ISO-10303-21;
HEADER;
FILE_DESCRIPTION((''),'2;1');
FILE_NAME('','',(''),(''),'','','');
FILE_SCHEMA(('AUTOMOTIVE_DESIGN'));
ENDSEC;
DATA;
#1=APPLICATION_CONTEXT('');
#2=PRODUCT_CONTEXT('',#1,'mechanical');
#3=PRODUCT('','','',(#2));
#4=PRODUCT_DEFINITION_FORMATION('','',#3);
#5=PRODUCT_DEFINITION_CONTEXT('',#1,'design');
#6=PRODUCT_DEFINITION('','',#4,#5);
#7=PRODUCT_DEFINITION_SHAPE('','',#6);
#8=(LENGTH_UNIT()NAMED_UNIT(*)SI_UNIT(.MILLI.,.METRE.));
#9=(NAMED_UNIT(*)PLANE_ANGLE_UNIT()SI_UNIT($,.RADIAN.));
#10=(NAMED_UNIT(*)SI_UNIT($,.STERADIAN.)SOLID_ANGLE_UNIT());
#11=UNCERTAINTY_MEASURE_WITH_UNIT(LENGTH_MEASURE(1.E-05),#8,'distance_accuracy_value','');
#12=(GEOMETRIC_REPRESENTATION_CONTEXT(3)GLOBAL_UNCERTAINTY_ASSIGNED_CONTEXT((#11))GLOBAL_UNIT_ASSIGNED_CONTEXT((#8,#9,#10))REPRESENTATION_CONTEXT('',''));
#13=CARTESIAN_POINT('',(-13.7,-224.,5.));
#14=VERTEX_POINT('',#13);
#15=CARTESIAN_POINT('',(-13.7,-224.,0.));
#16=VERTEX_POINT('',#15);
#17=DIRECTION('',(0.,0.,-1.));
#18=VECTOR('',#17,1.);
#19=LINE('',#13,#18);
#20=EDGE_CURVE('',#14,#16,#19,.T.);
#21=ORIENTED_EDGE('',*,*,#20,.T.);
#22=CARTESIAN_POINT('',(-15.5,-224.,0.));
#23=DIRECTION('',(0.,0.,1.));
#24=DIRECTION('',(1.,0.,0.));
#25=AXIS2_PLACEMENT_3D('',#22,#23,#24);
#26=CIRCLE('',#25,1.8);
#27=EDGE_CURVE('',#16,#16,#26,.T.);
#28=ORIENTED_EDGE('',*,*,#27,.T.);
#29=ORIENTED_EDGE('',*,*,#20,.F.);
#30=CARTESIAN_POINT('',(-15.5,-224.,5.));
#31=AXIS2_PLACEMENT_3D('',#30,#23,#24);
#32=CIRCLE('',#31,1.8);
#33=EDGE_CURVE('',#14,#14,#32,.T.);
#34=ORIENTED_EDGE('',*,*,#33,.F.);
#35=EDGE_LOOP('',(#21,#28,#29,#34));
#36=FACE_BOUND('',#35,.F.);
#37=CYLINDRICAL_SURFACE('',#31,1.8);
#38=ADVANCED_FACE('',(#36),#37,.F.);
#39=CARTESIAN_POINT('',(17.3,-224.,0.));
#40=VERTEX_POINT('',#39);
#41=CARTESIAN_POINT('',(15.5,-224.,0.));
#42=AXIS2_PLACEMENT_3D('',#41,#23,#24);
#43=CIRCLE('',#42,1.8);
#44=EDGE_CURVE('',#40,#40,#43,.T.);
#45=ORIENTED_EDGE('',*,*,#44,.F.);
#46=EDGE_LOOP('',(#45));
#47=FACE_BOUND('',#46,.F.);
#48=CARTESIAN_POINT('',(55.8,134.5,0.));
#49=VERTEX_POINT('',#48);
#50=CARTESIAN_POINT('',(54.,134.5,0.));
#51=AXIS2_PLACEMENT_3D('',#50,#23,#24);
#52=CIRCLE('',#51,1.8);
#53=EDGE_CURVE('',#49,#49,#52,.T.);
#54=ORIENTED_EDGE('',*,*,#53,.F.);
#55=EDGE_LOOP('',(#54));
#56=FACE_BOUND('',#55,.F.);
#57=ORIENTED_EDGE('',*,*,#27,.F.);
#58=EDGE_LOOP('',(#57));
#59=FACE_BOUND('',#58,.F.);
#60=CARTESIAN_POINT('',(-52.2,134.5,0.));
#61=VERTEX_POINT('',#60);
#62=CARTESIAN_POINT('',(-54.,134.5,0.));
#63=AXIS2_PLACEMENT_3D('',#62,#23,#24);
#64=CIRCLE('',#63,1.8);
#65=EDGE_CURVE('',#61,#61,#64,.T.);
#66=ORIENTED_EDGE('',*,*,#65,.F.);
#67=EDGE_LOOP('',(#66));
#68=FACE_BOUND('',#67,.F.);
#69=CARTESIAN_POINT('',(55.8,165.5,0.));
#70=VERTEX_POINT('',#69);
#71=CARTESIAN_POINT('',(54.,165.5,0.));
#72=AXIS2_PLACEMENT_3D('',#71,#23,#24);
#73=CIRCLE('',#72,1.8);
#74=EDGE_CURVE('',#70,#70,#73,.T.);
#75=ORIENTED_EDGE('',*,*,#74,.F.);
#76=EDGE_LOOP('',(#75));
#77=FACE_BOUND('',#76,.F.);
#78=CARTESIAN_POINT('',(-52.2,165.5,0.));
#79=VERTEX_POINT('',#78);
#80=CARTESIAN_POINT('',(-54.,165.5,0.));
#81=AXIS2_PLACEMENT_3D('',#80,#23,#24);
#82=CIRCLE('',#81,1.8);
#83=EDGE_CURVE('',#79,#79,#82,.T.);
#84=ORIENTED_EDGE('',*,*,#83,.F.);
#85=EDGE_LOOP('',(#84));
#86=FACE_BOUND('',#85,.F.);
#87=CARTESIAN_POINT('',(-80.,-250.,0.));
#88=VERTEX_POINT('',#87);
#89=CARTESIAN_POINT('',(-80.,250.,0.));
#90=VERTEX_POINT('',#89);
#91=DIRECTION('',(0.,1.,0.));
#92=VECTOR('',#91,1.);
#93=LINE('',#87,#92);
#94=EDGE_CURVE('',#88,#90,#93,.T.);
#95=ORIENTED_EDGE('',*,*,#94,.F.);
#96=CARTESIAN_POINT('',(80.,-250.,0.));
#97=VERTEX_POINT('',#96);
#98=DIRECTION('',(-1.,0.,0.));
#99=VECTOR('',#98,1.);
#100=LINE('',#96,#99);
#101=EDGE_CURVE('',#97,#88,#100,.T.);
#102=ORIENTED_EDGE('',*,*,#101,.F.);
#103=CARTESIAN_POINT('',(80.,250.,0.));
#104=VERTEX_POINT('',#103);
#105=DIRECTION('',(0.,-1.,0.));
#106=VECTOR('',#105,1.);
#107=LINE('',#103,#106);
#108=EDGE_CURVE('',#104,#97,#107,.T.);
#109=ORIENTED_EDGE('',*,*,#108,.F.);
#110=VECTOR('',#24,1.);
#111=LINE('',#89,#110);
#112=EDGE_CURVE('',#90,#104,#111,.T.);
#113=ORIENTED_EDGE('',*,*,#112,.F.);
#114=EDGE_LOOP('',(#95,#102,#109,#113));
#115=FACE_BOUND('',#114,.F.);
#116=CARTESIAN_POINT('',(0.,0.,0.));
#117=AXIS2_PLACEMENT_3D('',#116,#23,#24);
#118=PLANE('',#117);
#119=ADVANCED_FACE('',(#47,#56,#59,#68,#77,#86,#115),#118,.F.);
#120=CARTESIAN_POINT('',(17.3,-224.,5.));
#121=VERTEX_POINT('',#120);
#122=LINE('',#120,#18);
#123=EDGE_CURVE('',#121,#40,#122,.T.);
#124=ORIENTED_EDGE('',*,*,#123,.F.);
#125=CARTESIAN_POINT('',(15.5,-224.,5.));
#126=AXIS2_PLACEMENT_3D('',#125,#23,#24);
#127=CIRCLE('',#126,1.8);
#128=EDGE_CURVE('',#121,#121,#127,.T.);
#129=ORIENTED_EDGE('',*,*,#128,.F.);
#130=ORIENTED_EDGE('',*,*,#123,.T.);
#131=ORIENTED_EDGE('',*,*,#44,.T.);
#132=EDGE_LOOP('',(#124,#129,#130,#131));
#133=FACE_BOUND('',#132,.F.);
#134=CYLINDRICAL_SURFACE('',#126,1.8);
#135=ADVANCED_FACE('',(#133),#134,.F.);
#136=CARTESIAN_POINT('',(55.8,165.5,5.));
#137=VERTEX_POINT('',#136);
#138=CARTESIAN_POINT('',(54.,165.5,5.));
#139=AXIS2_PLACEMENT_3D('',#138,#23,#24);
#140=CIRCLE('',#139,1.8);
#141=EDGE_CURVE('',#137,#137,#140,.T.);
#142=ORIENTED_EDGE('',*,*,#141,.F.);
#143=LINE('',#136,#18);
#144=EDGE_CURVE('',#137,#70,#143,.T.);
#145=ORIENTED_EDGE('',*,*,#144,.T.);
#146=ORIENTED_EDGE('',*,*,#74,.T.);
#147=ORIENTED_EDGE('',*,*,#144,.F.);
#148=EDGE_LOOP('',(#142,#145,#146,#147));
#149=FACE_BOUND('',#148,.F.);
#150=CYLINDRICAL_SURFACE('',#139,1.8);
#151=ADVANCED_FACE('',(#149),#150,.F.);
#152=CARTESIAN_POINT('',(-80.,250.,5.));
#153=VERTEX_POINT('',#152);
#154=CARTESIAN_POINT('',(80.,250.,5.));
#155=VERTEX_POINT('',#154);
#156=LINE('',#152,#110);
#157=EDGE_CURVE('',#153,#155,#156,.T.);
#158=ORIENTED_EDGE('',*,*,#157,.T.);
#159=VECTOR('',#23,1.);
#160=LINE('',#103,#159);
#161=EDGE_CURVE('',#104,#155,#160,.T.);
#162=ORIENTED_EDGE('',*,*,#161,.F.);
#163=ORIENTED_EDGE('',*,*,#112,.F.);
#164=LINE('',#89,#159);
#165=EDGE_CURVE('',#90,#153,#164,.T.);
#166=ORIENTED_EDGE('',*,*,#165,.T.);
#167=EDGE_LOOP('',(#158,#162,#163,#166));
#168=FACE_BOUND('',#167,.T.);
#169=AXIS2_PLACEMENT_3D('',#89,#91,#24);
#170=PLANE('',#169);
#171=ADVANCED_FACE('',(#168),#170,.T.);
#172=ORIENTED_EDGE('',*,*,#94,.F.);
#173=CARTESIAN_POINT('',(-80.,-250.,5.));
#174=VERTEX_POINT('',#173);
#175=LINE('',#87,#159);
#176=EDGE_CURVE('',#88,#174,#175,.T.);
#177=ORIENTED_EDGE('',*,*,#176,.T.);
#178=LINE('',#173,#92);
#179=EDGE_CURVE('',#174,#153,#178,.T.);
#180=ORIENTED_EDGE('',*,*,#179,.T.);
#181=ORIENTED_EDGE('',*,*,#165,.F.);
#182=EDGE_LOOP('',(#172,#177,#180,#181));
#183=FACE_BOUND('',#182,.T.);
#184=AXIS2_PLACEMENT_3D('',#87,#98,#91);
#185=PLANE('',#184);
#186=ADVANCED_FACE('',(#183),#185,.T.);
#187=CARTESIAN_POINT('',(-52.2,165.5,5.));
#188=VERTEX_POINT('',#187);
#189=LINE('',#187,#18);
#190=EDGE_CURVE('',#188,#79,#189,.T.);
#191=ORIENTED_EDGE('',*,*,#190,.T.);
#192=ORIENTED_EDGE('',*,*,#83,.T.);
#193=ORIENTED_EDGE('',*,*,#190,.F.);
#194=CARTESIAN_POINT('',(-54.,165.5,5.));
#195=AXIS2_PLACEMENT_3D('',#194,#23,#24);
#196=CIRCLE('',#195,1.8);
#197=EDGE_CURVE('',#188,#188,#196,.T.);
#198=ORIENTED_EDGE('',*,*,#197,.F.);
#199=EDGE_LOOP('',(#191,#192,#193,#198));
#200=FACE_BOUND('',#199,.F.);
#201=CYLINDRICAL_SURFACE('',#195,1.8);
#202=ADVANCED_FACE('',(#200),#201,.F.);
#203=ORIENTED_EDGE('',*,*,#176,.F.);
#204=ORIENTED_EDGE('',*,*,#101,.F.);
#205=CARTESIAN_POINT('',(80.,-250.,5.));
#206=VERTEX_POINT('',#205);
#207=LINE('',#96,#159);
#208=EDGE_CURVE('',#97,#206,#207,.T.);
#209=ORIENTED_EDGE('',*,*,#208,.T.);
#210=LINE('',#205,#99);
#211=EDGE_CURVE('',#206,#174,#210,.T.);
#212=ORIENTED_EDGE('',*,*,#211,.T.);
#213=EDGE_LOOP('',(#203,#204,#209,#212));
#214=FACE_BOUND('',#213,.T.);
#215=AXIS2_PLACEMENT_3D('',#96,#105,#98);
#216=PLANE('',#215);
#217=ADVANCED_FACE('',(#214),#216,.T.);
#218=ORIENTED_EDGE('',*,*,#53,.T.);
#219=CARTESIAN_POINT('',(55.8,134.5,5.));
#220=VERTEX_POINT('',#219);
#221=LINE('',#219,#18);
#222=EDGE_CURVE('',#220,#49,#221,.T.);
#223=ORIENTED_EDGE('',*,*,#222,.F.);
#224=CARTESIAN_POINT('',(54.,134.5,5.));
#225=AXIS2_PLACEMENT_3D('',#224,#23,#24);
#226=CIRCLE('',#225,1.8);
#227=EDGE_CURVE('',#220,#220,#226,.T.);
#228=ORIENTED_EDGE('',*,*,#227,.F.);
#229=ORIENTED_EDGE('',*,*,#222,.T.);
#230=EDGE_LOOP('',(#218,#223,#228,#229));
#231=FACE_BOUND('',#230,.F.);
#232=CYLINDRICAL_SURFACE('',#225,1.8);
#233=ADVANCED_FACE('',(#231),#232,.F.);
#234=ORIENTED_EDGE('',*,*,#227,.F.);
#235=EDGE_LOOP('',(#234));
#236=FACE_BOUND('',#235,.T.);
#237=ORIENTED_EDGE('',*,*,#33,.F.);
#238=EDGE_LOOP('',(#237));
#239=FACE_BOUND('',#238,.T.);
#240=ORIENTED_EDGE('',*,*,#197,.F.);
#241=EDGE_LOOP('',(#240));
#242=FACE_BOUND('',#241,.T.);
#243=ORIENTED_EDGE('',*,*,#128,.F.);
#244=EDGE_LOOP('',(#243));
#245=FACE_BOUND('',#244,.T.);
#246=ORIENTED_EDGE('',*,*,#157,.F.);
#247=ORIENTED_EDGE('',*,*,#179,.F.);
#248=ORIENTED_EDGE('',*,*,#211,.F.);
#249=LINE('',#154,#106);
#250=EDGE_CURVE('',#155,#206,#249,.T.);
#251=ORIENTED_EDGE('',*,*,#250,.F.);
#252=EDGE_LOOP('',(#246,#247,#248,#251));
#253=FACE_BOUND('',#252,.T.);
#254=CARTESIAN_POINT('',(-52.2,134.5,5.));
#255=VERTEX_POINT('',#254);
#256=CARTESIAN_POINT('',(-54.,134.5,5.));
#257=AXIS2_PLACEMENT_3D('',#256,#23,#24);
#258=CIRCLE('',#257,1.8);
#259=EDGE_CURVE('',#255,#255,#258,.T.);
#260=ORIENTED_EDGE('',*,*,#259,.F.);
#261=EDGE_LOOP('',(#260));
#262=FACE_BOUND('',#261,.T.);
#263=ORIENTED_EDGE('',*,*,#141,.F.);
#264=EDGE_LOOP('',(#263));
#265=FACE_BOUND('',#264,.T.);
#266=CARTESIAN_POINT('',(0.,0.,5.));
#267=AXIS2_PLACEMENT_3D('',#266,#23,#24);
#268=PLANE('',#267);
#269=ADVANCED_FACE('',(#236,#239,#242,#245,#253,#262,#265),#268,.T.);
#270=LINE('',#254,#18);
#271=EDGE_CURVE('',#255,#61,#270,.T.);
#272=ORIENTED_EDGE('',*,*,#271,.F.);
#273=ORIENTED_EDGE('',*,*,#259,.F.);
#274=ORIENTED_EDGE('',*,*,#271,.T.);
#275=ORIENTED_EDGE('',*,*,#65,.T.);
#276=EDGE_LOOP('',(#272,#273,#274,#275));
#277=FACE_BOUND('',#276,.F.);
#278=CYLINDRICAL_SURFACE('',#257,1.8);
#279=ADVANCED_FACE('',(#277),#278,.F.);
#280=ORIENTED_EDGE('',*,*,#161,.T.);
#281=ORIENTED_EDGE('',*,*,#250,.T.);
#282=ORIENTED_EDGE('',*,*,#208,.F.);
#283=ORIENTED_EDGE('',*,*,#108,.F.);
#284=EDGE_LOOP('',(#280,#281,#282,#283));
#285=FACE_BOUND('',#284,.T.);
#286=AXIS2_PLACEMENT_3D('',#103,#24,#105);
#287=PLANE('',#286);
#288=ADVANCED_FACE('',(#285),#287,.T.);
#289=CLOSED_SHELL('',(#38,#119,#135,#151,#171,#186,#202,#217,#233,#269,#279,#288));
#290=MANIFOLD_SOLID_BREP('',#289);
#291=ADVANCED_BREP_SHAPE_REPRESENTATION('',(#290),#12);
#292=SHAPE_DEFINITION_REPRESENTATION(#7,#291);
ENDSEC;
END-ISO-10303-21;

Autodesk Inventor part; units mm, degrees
ref_plane "YZ Plane" through (0, 0, 0) normal (1, 0, 0) x (0, 1, 0)
ref_plane "XZ Plane" through (0, 0, 0) normal (0, 1, 0) x (-1, 0, 0)
ref_plane "XY Plane" through (0, 0, 0) normal (0, 0, 1) x (1, 0, 0)
sketch "草图16" plane through (0, 0, 0) normal (0, 0, 1) x (1, 0, 0)
  line L0 (-80, 250) -> (80, 250)
  line L1 (80, 250) -> (80, -250)
  line L2 (80, -250) -> (-80, -250)
  line L3 (-80, -250) -> (-80, 250)
  point P0 (0, 0)
  dimension "d46" = 160
  dimension "d47" = 500
extrude "拉伸16" add sketch "草图16" along normal blind 5
sketch "草图17" plane through (0, 0, 5) normal (0, 0, 1) x (1, 0, 0)
  circle A0 centre (15.5, -224) radius 1.8
  point P0 (0, 0)
  dimension "d50" = 3.6
extrude "拉伸17" cut sketch "草图17" against normal through all
sketch "草图18" plane through (0, 0, 5) normal (0, 0, 1) x (1, 0, 0)
  circle A0 centre (-15.5, -224) radius 1.8
  point P0 (0, 0)
  dimension "d53" = 3.6
extrude "拉伸18" cut sketch "草图18" against normal through all
sketch "草图23" plane through (0, 0, 5) normal (0, 0, 1) x (1, 0, 0)
  point P0 (0, 0)
sketch "草图24" plane through (0, 0, 5) normal (0, 0, 1) x (1, 0, 0)
  point P0 (0, 0)
sketch "草图25" plane through (0, 0, 5) normal (0, 0, 1) x (1, 0, 0)
  circle A0 centre (54, 165.5) radius 1.8
  point P0 (0, 0)
  dimension "d68" = 3.6
extrude "拉伸23" cut sketch "草图25" against normal through all
sketch "草图26" plane through (0, 0, 5) normal (0, 0, 1) x (1, 0, 0)
  circle A0 centre (54, 134.5) radius 1.8
  point P0 (0, 0)
  dimension "d71" = 3.6
extrude "拉伸24" cut sketch "草图26" against normal through all
sketch "草图27" plane through (0, 0, 5) normal (0, 0, 1) x (1, 0, 0)
  circle A0 centre (-54, 165.5) radius 1.8
  point P0 (0, 0)
  dimension "d74" = 3.6
extrude "拉伸25" cut sketch "草图27" against normal through all
sketch "草图28" plane through (0, 0, 5) normal (0, 0, 1) x (1, 0, 0)
  circle A0 centre (-54, 134.5) radius 1.8
  point P0 (0, 0)
  dimension "d77" = 3.6
extrude "拉伸26" cut sketch "草图28" against normal through all
equation "\"折弯半径\" = 厚度"
equation "\"折弯释压宽度\" = 厚度"
equation "\"折弯释压深度\" = 0.5 * 厚度"
equation "\"拐角释压尺寸\" = 4 * 厚度"
equation "\"最小余量\" = 2 * 厚度"
equation "\"过渡半径\" = 折弯半径"
equation "\"Jacobi半径尺寸\" = 折弯半径"
equation "\"间隙大小\" = 厚度"
equation "\"厚度\" = 0.5"
properties part number "内层16cm板"
